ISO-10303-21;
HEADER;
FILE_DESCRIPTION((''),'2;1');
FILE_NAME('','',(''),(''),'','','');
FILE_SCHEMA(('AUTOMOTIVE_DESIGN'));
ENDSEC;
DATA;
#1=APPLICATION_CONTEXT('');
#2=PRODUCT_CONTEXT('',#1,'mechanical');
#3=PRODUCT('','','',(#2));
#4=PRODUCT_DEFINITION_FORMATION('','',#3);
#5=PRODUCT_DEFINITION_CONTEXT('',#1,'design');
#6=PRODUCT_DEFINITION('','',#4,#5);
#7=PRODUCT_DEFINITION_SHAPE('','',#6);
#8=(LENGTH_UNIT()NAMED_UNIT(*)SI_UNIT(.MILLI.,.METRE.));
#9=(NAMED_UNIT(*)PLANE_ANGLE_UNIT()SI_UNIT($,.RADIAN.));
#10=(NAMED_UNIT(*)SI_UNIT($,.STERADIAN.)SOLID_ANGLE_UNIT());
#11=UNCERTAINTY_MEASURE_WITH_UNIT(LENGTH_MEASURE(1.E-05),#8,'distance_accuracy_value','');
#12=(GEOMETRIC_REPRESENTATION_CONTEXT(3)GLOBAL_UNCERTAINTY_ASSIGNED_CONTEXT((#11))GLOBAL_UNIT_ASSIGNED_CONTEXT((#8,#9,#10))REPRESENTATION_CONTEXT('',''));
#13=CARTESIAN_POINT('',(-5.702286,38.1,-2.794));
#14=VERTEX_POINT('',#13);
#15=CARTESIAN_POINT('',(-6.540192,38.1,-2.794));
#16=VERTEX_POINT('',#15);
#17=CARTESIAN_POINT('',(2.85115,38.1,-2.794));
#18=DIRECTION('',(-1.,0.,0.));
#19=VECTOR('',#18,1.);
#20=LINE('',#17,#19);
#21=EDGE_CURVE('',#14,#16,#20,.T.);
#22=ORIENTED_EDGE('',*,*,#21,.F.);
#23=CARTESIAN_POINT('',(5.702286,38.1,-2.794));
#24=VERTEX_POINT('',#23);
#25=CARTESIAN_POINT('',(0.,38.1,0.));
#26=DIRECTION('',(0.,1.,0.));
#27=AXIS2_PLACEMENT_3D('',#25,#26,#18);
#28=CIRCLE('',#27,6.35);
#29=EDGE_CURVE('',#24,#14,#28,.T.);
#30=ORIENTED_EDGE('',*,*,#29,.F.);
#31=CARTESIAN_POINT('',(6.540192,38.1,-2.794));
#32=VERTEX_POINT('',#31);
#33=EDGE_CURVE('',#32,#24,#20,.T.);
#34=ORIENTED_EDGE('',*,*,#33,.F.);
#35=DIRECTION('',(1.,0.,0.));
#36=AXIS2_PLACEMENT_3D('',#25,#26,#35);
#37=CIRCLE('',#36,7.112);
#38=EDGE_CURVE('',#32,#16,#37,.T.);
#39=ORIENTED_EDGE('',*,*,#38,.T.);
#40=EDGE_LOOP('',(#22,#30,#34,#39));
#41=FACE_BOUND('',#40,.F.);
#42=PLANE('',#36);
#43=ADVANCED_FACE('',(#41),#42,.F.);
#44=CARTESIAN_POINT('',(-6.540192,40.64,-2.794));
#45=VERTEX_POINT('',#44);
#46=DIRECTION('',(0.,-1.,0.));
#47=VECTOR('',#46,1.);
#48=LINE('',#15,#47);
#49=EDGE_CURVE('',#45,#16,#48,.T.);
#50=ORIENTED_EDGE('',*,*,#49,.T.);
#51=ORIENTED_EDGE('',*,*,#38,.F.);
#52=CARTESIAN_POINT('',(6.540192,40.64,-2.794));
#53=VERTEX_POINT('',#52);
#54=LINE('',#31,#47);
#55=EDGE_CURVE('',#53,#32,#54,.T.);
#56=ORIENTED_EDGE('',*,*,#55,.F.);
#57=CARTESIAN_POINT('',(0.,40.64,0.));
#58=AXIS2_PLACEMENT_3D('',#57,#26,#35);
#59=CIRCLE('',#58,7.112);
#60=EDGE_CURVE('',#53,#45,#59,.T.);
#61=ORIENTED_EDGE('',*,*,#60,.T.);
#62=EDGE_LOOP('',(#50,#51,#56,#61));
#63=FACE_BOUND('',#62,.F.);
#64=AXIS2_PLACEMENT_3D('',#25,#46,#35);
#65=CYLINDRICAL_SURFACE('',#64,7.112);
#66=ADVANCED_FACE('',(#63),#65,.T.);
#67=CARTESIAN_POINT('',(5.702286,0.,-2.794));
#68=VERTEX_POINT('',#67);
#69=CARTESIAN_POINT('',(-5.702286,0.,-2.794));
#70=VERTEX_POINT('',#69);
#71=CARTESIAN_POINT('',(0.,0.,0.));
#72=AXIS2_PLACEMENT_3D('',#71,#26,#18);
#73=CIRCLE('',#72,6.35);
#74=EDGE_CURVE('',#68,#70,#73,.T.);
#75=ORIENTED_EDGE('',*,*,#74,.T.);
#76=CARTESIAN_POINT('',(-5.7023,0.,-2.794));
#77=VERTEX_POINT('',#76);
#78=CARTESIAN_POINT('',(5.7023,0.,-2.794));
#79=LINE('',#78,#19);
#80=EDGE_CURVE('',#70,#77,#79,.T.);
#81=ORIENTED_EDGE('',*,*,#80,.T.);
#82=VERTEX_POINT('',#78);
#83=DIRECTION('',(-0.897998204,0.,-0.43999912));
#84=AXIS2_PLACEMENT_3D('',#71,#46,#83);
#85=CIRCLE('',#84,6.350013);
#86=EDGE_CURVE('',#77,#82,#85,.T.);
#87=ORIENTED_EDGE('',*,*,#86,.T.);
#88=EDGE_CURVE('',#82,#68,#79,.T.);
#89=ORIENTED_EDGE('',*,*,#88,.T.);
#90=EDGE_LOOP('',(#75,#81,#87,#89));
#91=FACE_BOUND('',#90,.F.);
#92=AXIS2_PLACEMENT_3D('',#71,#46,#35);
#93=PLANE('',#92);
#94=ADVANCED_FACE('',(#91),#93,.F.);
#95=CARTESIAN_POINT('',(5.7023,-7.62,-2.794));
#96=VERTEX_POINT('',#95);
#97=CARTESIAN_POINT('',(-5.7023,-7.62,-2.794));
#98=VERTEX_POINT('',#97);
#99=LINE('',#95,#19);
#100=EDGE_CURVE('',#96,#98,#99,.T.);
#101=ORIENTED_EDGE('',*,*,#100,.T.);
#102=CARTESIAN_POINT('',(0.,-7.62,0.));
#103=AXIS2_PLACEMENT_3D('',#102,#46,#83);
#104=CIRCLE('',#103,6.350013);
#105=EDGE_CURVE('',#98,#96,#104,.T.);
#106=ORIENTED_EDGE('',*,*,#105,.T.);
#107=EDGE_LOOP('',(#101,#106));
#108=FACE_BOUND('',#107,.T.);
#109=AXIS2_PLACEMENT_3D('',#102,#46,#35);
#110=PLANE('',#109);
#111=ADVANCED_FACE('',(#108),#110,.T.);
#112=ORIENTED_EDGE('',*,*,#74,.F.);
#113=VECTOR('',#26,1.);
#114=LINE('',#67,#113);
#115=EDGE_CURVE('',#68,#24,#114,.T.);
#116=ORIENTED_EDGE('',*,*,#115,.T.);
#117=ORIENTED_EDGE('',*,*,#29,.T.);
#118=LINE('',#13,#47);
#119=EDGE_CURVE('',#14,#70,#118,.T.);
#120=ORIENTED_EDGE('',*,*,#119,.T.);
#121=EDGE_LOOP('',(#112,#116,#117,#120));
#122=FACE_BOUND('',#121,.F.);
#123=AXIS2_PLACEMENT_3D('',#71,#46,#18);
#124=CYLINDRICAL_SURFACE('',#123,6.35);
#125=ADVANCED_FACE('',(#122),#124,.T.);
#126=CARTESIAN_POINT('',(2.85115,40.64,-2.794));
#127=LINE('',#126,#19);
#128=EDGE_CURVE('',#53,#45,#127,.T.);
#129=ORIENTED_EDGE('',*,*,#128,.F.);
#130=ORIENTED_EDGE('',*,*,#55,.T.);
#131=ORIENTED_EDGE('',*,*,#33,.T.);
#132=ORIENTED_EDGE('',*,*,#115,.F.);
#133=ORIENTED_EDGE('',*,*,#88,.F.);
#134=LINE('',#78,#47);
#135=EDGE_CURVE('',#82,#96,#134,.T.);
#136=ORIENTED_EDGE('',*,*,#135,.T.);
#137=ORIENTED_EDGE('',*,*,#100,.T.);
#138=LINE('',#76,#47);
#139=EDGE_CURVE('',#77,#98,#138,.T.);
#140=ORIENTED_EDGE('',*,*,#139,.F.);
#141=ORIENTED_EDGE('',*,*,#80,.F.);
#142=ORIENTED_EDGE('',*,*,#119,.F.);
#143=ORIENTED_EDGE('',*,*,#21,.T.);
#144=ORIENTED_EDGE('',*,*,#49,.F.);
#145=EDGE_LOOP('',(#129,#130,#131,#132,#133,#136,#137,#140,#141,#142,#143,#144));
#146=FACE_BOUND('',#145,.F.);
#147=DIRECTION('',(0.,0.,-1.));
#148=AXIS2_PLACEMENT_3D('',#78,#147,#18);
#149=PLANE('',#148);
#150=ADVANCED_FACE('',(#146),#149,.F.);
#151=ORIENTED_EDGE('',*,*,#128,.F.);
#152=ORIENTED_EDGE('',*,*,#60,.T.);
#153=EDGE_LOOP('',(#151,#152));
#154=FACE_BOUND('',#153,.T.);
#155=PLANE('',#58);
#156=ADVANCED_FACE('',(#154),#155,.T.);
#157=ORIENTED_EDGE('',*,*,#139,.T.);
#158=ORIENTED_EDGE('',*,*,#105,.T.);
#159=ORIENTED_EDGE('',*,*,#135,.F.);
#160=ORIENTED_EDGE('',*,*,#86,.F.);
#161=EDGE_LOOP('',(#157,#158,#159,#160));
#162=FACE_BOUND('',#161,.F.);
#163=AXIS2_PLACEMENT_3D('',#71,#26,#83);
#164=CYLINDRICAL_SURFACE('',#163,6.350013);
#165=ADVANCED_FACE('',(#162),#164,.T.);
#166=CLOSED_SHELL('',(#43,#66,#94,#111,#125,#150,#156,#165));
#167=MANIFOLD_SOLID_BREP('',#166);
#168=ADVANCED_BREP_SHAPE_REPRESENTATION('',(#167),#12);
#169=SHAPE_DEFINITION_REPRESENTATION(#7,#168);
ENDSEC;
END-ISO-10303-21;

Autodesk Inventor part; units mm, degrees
ref_plane "YZ Plane" through (0, 0, 0) normal (1, 0, 0) x (0, 1, 0)
ref_plane "XZ Plane" through (0, 0, 0) normal (0, 1, 0) x (-1, 0, 0)
ref_plane "XY Plane" through (0, 0, 0) normal (0, 0, 1) x (1, 0, 0)
sketch "Sketch1" plane through (0, 0, 0) normal (0, 1, 0) x (-1, 0, 0)
  circle A0 centre (0, 0) radius 6.35
  dimension "d0" = 12.7
extrude "Extrusion1" add sketch "Sketch1" along normal blind 38.1
sketch "Sketch2" plane through (0, 38.1, 0) normal (0, 1, 0) x (1, 0, 0)
  circle A0 centre (0, 0) radius 7.112
  dimension "d3" = 14.224
extrude "Extrusion2" add sketch "Sketch2" along normal blind 2.54
sketch "Sketch3" plane through (0, 0, 0) normal (0, -1, 0) x (1, 0, 0)
  line L0 (-6.35, -2.794) -> (6.35, -2.794)
  line L1 (6.35, -2.794) -> (6.35, 2.794)
  line L2 (6.35, 2.794) -> (-6.35, 2.794)
  line L3 (-6.35, 2.794) -> (-6.35, -2.794)
  point P0 (0, 0)
  dimension "d6" = 5.588
extrude "Extrusion3" cut sketch "Sketch3" against normal blind 1.27
sketch "Sketch4" plane through (0, 1.27, 0) normal (0, -1, 0) x (1, 0, 0)
  line L0 (5.7023, -2.794) -> (-5.7023, -2.794) projected
  line L1 (5.7023, -2.794) -> (-11.0724, -2.794)
  line L2 (-11.0724, -2.794) -> (-11.0724, 8.6812)
  line L3 (-11.0724, 8.6812) -> (5.7023, 8.6812)
  line L4 (5.7023, 8.6812) -> (5.7023, -2.794)
  line L5 (-11.0724, -2.794) -> (15.5291, -2.794)
  line L6 (15.5291, -2.794) -> (15.5291, 8.6812)
  line L7 (15.5291, 8.6812) -> (-11.0724, 8.6812)
  line L8 (-11.0724, 8.6812) -> (-11.0724, -2.794)
  point P0 (0, 0)
sketch "Sketch5" plane through (0, 1.27, 0) normal (0, -1, 0) x (1, 0, 0)
  line L0 (8.174, 2.794) -> (-7.6116, 2.794)
  line L1 (-7.6116, 2.794) -> (-7.6116, -2.794)
  line L2 (-7.6116, -2.794) -> (8.174, -2.794)
  line L3 (8.174, -2.794) -> (8.174, 2.794)
  point P0 (0, 0)
extrude "Extrusion4" cut sketch "Sketch5" against normal blind 0.5588
extrude "Extrusion5" cut sketch "Sketch4" against normal up to next
sketch "Sketch6" plane through (0, 0, 0) normal (0, -1, 0) x (1, 0, 0)
  line L0 (14.7281, 0) -> (-10.6227, 0)
  line L1 (-10.6227, 0) -> (-10.6227, 18.3203)
  line L2 (-10.6227, 18.3203) -> (14.7281, 18.3203)
  line L3 (14.7281, 18.3203) -> (14.7281, 0)
  point P0 (0, 0)
extrude "Extrusion6" cut sketch "Sketch6" against normal blind 25.4
sketch "Sketch7" plane through (0, 0, 0) normal (0, -1, 0) x (1, 0, 0)
  arc A0 (-5.7023, -2.794) -> (5.7023, -2.794) centre (0, 0) ccw projected
  line L0 (-5.7023, -2.794) -> (-6.5402, -2.794) projected
  line L1 (5.7023, -2.794) -> (-5.7023, -2.794)
  arc A1 (-5.7023, -2.794) -> (5.7023, -2.794) centre (0, 0) ccw
extrude "Extrusion7" add sketch "Sketch7" along normal blind 7.62
properties part number "Pin Place holder"
